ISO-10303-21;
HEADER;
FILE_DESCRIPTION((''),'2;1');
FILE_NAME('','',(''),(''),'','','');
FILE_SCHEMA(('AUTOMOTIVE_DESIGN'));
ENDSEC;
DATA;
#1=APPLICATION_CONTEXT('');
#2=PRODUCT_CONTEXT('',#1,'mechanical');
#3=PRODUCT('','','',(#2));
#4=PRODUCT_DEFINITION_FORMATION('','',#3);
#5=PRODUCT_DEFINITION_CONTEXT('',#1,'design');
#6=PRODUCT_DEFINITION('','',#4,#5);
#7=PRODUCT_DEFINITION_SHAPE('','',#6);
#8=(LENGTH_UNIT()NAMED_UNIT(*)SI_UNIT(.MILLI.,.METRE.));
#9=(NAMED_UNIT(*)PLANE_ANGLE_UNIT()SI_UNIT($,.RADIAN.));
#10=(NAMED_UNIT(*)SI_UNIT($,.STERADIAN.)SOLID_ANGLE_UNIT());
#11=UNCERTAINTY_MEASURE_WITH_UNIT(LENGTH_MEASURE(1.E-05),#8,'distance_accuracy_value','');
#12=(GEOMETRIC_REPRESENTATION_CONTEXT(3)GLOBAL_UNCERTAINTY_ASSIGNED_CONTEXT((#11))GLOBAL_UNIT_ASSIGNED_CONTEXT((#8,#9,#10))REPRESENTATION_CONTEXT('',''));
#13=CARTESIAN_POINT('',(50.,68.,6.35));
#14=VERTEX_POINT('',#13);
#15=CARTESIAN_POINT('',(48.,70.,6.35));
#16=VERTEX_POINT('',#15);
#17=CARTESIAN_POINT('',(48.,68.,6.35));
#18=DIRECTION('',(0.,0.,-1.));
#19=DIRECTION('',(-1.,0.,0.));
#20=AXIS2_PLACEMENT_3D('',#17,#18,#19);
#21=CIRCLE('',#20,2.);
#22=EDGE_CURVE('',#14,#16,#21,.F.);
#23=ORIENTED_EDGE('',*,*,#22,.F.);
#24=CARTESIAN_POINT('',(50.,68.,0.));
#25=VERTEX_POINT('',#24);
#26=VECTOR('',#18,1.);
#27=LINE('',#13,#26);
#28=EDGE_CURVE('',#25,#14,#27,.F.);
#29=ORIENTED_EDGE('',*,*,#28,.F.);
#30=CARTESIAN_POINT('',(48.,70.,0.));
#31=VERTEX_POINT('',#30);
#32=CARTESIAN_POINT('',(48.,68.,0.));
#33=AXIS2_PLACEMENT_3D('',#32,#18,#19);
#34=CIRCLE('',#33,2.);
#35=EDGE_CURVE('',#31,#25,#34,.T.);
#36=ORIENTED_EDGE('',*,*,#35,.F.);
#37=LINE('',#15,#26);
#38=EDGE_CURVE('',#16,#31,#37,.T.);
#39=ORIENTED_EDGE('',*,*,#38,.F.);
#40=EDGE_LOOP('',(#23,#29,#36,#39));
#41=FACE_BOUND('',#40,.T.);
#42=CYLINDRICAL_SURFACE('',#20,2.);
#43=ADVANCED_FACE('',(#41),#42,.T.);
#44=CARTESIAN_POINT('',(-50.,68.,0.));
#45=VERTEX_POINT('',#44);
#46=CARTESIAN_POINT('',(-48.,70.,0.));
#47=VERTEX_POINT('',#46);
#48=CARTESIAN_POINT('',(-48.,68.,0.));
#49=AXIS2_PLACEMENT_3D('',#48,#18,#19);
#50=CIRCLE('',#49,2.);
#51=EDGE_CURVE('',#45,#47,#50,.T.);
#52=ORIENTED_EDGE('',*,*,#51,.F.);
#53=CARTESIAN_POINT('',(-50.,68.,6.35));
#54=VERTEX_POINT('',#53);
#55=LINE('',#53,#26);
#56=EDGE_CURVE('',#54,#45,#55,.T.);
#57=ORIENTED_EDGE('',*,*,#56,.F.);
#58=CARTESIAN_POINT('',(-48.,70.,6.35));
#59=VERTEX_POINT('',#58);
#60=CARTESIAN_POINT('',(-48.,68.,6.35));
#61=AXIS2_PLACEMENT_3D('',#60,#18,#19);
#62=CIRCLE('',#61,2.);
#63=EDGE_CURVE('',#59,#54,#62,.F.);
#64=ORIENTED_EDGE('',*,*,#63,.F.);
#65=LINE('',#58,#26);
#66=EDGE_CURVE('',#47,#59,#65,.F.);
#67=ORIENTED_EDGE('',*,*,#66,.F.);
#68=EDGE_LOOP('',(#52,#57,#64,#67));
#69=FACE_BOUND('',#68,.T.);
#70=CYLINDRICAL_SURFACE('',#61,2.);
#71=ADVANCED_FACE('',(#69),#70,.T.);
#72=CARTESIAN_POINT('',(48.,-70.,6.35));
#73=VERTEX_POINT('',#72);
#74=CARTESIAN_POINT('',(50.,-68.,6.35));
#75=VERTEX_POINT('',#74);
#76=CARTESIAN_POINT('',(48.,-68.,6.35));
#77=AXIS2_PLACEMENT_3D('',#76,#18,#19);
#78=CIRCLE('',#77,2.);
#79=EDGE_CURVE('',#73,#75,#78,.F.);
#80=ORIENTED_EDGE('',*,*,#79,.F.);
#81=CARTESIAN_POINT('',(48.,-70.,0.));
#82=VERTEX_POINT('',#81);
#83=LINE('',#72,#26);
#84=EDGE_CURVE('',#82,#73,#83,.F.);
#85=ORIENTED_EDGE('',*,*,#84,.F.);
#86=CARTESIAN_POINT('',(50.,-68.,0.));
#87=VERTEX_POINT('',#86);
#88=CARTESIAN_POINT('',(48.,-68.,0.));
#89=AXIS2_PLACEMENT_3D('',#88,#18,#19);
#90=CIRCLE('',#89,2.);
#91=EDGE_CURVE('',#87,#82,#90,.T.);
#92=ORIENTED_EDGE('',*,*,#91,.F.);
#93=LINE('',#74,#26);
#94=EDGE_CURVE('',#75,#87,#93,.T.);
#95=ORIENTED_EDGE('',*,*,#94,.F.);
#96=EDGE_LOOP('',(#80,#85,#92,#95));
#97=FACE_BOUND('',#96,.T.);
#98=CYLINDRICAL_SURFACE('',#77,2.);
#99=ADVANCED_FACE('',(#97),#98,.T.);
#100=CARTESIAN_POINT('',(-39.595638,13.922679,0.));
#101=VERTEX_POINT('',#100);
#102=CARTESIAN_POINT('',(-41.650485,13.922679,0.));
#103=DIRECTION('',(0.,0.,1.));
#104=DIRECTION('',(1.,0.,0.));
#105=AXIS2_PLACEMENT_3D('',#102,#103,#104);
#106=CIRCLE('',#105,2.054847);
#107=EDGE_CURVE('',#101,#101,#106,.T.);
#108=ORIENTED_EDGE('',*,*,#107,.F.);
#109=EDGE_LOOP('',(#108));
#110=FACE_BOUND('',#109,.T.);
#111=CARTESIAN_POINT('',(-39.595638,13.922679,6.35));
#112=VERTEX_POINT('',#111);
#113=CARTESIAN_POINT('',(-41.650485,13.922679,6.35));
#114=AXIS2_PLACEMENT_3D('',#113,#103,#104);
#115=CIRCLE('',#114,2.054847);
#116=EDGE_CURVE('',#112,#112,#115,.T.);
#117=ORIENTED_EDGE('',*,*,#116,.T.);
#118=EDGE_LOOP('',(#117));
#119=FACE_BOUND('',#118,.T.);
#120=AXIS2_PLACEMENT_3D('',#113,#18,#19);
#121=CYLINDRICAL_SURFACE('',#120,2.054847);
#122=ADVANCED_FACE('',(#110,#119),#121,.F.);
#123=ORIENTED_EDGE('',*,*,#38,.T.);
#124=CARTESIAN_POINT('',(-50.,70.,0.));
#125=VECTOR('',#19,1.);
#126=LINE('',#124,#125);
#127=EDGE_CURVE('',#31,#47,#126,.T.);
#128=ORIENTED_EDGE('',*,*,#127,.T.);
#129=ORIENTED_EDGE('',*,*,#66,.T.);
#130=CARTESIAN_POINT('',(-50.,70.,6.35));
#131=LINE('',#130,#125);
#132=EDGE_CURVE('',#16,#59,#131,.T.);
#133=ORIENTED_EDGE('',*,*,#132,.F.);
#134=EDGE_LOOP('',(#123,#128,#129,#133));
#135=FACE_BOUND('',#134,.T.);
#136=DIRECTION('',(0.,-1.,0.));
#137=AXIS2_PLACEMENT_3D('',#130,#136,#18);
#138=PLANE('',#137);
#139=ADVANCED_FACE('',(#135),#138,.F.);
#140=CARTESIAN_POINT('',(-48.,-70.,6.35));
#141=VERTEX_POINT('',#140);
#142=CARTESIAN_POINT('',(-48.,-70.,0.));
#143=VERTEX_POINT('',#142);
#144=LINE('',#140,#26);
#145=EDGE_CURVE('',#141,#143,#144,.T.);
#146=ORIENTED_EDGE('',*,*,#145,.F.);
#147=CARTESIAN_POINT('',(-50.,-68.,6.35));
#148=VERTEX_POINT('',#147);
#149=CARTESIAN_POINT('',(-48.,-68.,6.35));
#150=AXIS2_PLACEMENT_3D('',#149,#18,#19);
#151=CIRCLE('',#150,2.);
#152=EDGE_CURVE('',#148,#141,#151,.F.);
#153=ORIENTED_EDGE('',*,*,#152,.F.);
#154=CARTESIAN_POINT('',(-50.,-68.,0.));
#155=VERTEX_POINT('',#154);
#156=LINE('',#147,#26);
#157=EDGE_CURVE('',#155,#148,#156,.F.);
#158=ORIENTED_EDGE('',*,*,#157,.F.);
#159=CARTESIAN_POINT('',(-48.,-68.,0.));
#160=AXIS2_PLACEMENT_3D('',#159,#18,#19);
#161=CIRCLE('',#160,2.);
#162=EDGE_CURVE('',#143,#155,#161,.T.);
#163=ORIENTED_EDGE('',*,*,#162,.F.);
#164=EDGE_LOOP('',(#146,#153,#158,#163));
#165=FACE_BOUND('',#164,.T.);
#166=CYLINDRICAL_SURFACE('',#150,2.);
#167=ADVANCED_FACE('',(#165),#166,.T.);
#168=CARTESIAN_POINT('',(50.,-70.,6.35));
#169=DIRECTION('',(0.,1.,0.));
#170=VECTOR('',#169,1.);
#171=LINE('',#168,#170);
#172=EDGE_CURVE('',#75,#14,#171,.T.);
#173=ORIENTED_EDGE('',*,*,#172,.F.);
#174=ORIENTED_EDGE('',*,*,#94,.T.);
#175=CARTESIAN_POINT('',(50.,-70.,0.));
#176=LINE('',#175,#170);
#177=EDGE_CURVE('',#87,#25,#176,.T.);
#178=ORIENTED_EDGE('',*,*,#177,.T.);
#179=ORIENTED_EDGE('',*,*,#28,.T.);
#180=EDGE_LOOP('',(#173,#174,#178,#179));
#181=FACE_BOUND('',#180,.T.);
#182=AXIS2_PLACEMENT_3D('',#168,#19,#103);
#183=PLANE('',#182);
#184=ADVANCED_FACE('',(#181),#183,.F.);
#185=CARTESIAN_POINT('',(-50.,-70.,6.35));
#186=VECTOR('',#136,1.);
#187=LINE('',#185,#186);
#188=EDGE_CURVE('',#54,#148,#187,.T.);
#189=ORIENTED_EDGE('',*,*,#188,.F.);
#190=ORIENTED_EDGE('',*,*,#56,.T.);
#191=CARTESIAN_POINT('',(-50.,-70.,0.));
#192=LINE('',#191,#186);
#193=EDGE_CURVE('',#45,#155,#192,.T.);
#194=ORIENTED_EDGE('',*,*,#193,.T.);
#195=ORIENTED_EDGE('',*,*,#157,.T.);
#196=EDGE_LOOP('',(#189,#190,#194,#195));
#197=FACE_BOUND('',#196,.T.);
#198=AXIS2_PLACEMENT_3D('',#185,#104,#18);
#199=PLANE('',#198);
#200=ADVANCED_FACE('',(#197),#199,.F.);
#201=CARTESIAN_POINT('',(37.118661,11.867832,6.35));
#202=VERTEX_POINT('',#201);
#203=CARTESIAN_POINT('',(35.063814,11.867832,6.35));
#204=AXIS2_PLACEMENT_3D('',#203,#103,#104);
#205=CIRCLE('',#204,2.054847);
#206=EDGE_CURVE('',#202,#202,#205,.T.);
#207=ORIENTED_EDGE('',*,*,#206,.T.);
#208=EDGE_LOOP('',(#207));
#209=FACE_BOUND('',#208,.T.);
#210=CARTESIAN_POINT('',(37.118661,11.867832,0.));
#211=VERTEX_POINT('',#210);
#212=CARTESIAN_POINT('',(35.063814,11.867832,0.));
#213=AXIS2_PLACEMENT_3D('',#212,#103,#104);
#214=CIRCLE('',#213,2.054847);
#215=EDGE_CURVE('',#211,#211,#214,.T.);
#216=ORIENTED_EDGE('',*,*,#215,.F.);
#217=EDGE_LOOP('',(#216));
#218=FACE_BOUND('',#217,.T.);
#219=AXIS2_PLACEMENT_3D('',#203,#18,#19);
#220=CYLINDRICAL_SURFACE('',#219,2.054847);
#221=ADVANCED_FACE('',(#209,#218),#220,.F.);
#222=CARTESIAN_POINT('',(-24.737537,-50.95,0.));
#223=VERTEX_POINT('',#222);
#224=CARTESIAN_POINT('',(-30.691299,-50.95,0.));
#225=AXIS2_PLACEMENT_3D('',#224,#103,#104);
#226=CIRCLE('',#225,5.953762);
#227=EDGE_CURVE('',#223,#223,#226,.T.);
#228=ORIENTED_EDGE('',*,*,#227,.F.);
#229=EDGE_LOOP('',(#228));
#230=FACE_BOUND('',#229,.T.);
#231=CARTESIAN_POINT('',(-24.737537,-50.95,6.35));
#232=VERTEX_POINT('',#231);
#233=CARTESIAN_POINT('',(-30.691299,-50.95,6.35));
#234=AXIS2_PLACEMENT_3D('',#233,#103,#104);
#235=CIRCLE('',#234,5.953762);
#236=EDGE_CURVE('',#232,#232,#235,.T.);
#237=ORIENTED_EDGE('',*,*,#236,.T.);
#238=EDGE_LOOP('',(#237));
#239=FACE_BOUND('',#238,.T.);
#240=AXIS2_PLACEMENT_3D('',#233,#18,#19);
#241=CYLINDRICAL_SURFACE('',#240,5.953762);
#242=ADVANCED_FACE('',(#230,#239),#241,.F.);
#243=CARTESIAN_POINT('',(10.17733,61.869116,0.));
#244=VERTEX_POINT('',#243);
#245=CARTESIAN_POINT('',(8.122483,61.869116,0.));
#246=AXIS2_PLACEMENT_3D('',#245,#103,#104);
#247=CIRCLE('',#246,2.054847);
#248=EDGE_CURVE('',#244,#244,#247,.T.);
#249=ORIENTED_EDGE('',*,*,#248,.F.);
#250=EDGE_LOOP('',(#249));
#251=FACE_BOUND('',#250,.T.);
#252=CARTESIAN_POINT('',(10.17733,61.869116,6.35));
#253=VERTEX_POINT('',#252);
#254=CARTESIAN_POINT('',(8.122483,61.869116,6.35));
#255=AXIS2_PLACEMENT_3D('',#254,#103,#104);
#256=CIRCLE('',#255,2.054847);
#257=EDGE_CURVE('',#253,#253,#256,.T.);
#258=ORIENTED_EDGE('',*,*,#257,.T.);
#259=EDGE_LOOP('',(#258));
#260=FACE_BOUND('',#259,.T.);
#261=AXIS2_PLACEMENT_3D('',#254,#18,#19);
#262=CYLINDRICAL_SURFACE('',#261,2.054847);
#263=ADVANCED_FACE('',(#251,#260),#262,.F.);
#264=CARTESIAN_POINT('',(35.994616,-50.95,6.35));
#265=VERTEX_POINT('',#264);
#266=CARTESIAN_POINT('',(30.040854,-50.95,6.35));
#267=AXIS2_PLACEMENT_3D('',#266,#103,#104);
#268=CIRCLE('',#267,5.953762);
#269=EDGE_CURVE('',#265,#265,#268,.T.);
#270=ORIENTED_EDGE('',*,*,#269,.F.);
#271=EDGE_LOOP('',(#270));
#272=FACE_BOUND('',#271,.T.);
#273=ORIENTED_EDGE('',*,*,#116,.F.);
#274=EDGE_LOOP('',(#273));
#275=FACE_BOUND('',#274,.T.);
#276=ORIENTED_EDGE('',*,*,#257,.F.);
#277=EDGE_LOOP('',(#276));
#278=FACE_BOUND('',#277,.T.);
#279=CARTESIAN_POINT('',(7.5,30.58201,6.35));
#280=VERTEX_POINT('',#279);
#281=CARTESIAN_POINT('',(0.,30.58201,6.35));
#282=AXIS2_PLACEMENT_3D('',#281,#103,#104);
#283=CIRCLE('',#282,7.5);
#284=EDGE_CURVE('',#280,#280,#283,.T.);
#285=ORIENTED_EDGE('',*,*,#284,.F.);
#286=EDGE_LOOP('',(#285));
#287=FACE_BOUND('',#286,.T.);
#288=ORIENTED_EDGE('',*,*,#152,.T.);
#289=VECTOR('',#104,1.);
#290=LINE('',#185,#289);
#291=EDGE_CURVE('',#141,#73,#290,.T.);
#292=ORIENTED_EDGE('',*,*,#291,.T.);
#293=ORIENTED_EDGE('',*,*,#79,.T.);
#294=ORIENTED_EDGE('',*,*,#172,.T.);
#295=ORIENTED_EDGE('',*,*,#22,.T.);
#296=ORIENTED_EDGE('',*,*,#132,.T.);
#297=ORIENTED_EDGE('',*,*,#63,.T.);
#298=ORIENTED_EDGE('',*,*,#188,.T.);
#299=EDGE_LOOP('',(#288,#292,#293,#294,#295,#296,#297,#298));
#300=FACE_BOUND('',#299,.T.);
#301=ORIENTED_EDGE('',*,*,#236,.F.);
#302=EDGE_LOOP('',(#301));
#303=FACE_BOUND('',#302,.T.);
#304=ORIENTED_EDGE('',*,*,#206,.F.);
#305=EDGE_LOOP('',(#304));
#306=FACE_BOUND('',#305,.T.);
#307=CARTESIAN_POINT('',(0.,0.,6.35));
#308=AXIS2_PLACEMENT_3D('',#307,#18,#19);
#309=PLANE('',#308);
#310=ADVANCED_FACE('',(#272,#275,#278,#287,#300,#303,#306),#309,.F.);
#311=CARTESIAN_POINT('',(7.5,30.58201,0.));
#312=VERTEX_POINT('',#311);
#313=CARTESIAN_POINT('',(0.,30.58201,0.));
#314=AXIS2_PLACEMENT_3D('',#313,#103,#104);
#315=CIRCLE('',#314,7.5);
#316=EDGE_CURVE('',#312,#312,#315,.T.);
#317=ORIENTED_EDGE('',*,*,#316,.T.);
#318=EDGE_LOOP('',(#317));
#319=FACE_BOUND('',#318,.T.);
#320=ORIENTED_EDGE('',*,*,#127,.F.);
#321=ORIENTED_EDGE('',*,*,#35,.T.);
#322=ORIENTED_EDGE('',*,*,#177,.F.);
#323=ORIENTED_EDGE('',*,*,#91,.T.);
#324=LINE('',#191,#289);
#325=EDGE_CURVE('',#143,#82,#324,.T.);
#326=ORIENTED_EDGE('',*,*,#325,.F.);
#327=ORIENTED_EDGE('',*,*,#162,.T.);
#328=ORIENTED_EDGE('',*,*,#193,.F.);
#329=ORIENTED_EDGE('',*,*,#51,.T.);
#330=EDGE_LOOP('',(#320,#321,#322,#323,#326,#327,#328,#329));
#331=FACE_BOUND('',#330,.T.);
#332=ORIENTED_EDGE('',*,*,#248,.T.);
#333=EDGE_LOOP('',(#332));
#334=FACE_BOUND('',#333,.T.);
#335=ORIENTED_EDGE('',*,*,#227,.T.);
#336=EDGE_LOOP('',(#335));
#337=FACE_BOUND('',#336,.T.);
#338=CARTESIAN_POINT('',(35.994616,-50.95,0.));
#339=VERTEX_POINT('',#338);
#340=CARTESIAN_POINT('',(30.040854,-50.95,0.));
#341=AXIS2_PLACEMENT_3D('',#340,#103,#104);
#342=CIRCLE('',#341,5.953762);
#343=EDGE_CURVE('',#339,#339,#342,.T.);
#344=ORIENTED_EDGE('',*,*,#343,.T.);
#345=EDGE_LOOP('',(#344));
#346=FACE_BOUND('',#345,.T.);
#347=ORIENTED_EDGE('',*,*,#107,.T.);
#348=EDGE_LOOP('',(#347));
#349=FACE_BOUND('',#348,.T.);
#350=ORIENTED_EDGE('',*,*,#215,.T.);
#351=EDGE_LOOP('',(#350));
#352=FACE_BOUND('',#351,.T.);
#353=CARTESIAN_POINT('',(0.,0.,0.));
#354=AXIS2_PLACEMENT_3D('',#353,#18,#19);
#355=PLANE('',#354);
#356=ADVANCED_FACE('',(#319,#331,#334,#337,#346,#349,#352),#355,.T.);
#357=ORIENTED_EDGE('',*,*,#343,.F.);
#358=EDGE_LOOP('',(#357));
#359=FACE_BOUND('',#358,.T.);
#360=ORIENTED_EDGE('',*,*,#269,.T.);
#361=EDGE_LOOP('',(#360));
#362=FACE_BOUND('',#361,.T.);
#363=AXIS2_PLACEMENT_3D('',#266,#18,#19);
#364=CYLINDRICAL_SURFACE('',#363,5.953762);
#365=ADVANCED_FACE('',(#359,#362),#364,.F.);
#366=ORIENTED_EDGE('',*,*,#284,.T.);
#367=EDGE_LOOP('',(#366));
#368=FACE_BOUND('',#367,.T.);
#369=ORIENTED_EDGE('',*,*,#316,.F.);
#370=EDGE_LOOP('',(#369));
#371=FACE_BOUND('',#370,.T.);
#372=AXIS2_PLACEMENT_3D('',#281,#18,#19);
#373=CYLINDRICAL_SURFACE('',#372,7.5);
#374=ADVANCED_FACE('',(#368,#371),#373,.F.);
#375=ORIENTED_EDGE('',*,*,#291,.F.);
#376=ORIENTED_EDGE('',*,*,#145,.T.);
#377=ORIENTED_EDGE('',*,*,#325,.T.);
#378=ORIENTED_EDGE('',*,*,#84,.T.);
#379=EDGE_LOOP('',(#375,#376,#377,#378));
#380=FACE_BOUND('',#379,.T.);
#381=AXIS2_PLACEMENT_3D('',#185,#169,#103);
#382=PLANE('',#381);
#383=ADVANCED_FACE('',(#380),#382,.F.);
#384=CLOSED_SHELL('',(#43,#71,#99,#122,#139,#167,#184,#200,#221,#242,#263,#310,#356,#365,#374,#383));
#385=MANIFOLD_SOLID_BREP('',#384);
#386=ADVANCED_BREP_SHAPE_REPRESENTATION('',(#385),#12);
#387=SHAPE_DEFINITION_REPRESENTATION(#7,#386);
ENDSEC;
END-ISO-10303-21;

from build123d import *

# Parameters (mm, degrees)
SKETCH1_W           = 100
SKETCH1_H           = 140
SKETCH1_R           = 5.953762401
SKETCH1_R_2         = 2.054847291
SKETCH1_R_3         = 7.5
BOSS_EXTRUDE1_DEPTH = 6.35
FILLET1_R           = 2


with BuildPart() as part:
    # Sketch1 → Boss-Extrude1 (new body)
    with BuildSketch(Plane.XY):
        Rectangle(SKETCH1_W, SKETCH1_H)
        with Locations((-30.691299308, -50.95)):
            Circle(SKETCH1_R, mode=Mode.SUBTRACT)
        with Locations((30.040853965, -50.95)):
            Circle(SKETCH1_R, mode=Mode.SUBTRACT)
        with Locations((-41.650484861, 13.92267898)):
            Circle(SKETCH1_R_2, mode=Mode.SUBTRACT)
        with Locations((8.122482859, 61.869115774)):
            Circle(SKETCH1_R_2, mode=Mode.SUBTRACT)
        with Locations((35.06381401, 11.867831689)):
            Circle(SKETCH1_R_2, mode=Mode.SUBTRACT)
        with Locations((0, 30.582009883)):
            Circle(SKETCH1_R_3, mode=Mode.SUBTRACT)
    extrude(amount=BOSS_EXTRUDE1_DEPTH)

    # Fillet1
    fillet1_edges = [part.edges().sort_by_distance(p)[0] for p in [
        (50, -70, 3.175),
        (-50, -70, 3.175),
        (-50, 70, 3.175),
        (50, 70, 3.175),
    ]]
    fillet(fillet1_edges, radius=FILLET1_R)


solid = part.part
